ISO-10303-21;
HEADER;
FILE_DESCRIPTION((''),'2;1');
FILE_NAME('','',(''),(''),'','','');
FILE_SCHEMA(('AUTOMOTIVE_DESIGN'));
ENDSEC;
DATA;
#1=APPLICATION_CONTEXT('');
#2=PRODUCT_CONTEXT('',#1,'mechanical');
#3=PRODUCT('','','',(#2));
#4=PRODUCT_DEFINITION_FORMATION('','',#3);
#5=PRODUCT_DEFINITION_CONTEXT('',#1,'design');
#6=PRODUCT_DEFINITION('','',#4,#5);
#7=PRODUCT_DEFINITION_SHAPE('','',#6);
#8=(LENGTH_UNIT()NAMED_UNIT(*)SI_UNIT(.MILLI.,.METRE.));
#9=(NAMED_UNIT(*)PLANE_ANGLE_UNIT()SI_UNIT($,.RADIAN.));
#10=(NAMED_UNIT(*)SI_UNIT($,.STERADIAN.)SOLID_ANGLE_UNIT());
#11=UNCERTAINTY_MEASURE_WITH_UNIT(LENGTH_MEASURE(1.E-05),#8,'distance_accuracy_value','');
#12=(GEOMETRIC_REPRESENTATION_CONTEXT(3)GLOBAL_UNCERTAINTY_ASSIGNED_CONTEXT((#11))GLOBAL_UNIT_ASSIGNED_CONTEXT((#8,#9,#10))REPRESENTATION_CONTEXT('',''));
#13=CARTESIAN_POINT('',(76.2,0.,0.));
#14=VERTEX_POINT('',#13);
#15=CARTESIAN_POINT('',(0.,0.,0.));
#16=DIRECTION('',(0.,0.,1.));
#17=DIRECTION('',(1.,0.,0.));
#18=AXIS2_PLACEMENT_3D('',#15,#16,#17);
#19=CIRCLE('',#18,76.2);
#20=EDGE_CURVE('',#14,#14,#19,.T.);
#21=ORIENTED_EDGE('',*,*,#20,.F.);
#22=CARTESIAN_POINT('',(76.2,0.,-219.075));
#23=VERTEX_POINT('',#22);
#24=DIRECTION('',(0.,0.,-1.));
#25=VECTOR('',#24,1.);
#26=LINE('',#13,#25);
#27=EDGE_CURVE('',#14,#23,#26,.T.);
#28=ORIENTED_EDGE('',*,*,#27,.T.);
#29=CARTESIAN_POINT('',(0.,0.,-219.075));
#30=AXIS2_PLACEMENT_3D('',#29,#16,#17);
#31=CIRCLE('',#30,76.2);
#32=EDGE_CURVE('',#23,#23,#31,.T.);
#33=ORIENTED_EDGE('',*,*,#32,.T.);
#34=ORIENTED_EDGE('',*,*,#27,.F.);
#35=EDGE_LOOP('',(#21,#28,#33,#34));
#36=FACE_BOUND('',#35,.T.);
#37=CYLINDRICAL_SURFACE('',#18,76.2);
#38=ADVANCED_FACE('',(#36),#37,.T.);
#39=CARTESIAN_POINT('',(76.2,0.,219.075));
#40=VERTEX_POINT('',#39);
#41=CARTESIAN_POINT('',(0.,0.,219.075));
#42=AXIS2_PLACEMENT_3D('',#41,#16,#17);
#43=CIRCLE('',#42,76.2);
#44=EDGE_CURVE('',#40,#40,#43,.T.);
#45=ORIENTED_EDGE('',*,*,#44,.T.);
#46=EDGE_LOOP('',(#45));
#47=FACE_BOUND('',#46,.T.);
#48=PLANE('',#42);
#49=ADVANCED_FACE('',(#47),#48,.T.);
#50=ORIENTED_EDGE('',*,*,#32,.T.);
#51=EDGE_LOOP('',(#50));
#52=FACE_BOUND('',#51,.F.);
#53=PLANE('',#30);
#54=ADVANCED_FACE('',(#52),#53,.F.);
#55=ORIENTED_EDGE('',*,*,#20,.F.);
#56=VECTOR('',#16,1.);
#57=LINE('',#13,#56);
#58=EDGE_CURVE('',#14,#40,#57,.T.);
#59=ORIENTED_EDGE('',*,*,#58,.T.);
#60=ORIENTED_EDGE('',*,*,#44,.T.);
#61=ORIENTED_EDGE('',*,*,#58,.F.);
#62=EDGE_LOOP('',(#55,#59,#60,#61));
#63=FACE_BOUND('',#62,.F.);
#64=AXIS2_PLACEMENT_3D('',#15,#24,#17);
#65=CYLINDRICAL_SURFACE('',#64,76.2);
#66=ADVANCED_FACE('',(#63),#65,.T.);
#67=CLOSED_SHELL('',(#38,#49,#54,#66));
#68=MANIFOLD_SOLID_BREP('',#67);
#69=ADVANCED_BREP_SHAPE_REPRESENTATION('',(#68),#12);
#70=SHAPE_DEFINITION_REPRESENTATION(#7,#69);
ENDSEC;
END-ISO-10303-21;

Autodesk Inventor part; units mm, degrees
ref_plane "YZ Plane" through (0, 0, 0) normal (1, 0, 0) x (0, 1, 0)
ref_plane "XZ Plane" through (0, 0, 0) normal (0, 1, 0) x (-1, 0, 0)
ref_plane "XY Plane" through (0, 0, 0) normal (0, 0, 1) x (1, 0, 0)
sketch "Sketch1" plane through (0, 0, 0) normal (0, 0, 1) x (1, 0, 0)
  circle A0 centre (0, 0) radius 76.2
  dimension "tubeDiameter" = 152.4
extrude "Extrusion1" add sketch "Sketch1" along normal mid plane 438.15
properties part number "telescopeTube"
